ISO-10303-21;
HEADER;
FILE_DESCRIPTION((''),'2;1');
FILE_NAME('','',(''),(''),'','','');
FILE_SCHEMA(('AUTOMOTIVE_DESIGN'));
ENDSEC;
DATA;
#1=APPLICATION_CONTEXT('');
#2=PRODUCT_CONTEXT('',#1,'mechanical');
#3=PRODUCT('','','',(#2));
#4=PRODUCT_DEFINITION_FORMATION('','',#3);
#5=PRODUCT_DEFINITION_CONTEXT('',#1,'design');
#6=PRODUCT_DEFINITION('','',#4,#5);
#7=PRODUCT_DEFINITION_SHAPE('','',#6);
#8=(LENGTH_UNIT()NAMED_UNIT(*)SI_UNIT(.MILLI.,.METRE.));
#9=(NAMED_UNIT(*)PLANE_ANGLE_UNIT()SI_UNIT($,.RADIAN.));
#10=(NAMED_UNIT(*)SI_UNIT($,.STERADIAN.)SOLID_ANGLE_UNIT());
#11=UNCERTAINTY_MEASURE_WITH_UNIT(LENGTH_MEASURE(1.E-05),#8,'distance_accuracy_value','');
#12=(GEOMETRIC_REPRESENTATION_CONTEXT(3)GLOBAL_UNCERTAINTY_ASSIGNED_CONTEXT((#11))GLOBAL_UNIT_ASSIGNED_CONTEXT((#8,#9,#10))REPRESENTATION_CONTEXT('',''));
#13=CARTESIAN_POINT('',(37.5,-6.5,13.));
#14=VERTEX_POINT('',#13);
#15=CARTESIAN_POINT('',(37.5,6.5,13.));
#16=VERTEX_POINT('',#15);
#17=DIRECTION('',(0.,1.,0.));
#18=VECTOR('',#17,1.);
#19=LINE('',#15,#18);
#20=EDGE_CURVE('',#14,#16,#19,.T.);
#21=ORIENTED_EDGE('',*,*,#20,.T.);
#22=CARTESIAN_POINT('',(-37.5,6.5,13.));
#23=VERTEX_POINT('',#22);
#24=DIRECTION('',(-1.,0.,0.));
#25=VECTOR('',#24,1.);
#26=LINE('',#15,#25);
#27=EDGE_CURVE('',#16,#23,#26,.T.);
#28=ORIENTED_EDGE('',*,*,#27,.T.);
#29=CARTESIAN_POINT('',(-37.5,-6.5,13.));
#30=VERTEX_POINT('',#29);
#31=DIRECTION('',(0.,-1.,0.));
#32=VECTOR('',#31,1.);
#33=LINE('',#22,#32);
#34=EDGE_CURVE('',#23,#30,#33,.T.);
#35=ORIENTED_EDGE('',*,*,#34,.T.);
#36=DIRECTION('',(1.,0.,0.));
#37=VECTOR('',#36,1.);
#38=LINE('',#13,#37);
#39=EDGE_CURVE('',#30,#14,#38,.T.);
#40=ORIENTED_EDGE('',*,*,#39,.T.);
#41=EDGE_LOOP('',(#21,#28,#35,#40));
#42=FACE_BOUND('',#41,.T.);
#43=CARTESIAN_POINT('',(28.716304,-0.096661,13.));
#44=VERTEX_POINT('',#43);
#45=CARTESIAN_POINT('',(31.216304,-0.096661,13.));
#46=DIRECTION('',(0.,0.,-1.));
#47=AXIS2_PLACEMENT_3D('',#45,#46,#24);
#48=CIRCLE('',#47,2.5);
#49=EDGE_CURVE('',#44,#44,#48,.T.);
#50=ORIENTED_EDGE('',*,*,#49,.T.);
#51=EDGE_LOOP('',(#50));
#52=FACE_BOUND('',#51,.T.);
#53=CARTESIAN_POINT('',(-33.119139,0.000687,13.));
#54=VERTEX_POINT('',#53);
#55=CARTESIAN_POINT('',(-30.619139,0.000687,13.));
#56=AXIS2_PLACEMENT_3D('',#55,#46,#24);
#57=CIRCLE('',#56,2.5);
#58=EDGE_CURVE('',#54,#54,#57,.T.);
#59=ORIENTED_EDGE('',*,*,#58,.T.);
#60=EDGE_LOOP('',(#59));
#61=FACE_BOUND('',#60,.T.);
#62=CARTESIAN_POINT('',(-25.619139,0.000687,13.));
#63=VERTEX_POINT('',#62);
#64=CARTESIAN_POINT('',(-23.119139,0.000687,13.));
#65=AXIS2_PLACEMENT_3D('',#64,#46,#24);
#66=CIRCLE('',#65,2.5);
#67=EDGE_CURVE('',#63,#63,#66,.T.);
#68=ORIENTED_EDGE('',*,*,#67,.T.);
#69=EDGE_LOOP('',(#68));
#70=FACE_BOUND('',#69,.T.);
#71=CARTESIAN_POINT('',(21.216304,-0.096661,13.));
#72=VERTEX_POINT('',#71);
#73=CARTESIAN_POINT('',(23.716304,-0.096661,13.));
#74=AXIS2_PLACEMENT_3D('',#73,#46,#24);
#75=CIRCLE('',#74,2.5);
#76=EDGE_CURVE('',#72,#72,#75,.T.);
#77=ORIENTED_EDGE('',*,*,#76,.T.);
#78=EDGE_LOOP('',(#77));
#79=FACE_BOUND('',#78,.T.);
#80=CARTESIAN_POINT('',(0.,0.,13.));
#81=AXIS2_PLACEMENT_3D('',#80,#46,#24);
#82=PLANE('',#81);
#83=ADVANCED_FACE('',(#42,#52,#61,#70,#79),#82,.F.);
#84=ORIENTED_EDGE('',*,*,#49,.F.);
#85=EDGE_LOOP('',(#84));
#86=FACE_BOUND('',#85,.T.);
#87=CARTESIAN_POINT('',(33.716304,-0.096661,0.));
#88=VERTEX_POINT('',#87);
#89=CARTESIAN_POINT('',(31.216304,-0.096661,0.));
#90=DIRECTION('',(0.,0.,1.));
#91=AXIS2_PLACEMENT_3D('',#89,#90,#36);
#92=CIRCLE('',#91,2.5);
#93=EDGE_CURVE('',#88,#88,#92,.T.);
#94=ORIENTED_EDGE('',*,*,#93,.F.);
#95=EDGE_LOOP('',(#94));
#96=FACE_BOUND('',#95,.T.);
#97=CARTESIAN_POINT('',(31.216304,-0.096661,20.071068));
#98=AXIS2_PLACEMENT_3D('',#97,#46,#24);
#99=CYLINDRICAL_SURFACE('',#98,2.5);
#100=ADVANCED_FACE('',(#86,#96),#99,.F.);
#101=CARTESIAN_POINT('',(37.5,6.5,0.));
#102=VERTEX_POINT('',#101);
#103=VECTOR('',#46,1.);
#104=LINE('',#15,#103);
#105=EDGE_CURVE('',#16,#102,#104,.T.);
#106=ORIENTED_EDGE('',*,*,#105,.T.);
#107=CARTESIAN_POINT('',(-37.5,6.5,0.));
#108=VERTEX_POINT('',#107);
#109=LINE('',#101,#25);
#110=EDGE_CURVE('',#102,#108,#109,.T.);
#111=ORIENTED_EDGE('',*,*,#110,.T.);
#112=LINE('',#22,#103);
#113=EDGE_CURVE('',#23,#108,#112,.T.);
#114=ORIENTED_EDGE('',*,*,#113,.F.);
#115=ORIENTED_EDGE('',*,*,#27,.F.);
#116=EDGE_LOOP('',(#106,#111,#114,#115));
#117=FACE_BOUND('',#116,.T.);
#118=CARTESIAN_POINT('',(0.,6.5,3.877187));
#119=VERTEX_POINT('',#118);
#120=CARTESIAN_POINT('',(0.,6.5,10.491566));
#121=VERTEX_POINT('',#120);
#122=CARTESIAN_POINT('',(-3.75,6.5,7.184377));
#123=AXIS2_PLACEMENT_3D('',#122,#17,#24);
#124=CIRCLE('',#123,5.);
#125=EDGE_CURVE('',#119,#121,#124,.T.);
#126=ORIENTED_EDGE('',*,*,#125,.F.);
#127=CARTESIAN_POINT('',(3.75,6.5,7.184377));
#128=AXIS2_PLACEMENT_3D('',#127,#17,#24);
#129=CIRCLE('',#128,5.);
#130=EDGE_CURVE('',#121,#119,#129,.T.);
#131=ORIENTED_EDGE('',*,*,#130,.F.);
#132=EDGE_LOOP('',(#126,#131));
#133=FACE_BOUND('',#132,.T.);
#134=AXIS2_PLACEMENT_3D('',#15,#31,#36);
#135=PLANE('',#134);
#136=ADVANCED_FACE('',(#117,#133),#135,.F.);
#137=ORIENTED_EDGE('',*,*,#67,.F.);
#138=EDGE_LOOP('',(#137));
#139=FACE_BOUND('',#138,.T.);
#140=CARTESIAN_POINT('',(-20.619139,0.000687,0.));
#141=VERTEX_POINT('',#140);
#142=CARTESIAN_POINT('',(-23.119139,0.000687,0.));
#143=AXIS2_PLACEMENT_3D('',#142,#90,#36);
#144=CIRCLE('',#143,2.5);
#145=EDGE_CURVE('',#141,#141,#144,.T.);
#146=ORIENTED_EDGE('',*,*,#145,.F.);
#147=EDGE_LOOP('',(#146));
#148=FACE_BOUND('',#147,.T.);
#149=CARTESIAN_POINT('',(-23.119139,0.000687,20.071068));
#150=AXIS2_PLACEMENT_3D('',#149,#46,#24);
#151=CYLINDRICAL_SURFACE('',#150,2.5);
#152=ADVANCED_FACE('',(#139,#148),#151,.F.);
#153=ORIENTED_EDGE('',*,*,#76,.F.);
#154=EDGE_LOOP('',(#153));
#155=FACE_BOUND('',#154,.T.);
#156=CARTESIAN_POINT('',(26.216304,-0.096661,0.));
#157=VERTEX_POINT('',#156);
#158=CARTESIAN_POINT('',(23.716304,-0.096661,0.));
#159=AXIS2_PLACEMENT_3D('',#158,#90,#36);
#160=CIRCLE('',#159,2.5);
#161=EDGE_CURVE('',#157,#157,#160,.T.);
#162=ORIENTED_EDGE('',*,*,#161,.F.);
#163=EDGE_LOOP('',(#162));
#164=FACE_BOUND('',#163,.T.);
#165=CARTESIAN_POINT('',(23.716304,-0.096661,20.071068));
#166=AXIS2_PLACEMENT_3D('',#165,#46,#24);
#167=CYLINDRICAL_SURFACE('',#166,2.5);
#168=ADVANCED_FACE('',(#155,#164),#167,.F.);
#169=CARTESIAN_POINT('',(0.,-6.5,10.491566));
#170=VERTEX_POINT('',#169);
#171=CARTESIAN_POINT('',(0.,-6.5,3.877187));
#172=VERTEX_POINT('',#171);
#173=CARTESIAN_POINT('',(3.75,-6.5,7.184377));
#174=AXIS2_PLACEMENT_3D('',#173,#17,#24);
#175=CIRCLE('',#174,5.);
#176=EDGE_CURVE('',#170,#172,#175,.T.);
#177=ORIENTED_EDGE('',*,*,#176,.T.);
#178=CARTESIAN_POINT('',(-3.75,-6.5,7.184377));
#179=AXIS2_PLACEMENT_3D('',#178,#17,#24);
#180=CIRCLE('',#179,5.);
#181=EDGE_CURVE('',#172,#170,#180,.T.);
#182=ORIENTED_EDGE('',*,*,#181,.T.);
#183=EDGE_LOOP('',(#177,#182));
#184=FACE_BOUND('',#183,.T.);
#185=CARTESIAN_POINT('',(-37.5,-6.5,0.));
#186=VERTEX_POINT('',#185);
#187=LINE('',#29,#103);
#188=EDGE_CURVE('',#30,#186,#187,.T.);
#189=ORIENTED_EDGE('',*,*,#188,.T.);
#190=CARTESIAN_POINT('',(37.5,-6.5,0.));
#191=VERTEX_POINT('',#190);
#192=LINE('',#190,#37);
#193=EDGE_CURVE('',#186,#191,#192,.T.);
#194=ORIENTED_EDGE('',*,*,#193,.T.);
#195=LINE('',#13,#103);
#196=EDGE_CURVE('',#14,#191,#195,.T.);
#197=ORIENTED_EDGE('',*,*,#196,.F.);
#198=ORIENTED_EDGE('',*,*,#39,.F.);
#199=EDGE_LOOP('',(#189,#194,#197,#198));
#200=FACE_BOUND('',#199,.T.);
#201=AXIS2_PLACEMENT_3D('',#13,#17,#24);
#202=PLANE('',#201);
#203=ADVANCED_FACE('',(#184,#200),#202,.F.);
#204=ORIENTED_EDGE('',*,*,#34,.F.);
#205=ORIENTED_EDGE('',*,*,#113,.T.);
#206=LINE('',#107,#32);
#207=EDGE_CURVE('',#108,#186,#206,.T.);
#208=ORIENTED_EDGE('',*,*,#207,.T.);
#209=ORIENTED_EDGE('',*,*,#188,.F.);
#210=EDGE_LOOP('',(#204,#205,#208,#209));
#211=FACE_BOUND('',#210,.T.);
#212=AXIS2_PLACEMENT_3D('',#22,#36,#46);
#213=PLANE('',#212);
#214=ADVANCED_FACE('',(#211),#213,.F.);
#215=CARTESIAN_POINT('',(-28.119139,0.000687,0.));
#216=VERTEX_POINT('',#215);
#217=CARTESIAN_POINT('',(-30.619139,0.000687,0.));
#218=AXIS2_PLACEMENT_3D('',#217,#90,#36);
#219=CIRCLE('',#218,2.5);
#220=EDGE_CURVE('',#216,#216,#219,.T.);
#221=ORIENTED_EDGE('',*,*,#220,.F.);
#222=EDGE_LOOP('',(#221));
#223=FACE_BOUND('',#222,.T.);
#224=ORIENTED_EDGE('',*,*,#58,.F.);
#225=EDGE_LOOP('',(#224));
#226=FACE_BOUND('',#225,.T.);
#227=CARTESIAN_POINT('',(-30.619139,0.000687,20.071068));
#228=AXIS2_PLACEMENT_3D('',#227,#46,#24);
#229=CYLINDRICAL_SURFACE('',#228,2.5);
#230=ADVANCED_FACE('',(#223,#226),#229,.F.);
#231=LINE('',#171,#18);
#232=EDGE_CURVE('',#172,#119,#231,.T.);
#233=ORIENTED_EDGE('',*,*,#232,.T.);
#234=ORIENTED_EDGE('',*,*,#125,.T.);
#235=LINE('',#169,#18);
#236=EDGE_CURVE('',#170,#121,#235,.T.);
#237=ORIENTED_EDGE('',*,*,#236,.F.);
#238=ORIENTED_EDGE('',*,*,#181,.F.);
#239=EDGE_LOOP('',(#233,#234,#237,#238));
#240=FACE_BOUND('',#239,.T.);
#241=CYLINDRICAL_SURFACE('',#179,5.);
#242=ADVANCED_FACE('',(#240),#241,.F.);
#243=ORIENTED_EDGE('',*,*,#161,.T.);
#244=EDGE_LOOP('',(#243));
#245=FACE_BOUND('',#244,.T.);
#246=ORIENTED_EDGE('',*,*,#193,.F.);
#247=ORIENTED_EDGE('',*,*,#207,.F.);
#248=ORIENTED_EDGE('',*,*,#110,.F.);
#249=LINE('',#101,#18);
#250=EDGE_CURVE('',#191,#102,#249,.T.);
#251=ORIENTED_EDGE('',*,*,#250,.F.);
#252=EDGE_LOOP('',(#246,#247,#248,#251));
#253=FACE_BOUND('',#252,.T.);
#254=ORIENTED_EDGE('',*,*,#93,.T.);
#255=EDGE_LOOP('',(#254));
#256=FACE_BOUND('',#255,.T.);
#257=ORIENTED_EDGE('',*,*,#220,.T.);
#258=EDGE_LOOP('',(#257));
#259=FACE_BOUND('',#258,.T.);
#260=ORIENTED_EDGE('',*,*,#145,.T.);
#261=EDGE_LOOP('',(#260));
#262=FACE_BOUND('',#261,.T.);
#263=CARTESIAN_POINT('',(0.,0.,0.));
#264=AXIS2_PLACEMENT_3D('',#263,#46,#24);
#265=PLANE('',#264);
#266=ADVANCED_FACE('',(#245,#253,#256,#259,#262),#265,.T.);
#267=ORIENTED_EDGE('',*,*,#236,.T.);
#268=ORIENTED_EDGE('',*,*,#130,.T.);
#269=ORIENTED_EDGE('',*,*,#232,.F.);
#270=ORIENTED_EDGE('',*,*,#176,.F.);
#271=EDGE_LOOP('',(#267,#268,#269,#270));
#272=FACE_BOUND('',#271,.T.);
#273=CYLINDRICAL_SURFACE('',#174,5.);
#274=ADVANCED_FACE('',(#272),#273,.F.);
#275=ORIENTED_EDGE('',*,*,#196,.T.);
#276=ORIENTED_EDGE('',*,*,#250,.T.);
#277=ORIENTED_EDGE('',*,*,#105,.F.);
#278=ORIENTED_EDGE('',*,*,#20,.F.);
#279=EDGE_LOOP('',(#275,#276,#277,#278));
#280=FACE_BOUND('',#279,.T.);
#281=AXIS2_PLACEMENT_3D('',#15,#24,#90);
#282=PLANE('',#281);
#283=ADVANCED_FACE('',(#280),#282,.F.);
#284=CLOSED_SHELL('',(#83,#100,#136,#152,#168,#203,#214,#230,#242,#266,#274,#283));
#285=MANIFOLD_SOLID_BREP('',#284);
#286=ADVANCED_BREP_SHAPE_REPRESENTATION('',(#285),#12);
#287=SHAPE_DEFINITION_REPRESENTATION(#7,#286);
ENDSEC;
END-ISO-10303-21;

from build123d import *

# Parameters (mm, degrees)
SKETCH1_W           = 75
SKETCH1_H           = 13
BOSS_EXTRUDE1_DEPTH = 13
SKETCH3_R           = 2.5
CUT_EXTRUDE4_DEPTH  = 13
CUT_EXTRUDE5_DEPTH  = 13


with BuildPart() as part:
    # Sketch1 → Boss-Extrude1 (new body)
    with BuildSketch(Plane.XY):
        Rectangle(SKETCH1_W, SKETCH1_H)
    extrude(amount=BOSS_EXTRUDE1_DEPTH)

    # Sketch3 → Cut-Extrude4 (cut)
    with BuildSketch(Plane.XY):
        with Locations(Location((31.216304174, -0.096660898, 0), (0, 0, 180))):
            Circle(SKETCH3_R)
        with Locations(Location((23.716304174, -0.096660898, 0), (0, 0, 180))):
            Circle(SKETCH3_R)
        with Locations(Location((-23.119138504, 0.000687163, 0), (0, 0, 180))):
            Circle(SKETCH3_R)
        with Locations(Location((-30.619138504, 0.000687163, 0), (0, 0, 180))):
            Circle(SKETCH3_R)
    extrude(amount=CUT_EXTRUDE4_DEPTH, mode=Mode.SUBTRACT)

    # Sketch4 → Cut-Extrude5 (cut)
    with BuildSketch(Plane(origin=(0, 6.5, 0), x_dir=(1, 0, 0), z_dir=(0, 1, 0))):
        with BuildLine():
            ThreePointArc((0, -3.877187484), (-8.75, -7.184376623), (0, -10.491565762))
            ThreePointArc((0, -10.491565762), (8.75, -7.184376623), (0, -3.877187484))
        make_face()
    extrude(amount=-CUT_EXTRUDE5_DEPTH, mode=Mode.SUBTRACT)


solid = part.part
